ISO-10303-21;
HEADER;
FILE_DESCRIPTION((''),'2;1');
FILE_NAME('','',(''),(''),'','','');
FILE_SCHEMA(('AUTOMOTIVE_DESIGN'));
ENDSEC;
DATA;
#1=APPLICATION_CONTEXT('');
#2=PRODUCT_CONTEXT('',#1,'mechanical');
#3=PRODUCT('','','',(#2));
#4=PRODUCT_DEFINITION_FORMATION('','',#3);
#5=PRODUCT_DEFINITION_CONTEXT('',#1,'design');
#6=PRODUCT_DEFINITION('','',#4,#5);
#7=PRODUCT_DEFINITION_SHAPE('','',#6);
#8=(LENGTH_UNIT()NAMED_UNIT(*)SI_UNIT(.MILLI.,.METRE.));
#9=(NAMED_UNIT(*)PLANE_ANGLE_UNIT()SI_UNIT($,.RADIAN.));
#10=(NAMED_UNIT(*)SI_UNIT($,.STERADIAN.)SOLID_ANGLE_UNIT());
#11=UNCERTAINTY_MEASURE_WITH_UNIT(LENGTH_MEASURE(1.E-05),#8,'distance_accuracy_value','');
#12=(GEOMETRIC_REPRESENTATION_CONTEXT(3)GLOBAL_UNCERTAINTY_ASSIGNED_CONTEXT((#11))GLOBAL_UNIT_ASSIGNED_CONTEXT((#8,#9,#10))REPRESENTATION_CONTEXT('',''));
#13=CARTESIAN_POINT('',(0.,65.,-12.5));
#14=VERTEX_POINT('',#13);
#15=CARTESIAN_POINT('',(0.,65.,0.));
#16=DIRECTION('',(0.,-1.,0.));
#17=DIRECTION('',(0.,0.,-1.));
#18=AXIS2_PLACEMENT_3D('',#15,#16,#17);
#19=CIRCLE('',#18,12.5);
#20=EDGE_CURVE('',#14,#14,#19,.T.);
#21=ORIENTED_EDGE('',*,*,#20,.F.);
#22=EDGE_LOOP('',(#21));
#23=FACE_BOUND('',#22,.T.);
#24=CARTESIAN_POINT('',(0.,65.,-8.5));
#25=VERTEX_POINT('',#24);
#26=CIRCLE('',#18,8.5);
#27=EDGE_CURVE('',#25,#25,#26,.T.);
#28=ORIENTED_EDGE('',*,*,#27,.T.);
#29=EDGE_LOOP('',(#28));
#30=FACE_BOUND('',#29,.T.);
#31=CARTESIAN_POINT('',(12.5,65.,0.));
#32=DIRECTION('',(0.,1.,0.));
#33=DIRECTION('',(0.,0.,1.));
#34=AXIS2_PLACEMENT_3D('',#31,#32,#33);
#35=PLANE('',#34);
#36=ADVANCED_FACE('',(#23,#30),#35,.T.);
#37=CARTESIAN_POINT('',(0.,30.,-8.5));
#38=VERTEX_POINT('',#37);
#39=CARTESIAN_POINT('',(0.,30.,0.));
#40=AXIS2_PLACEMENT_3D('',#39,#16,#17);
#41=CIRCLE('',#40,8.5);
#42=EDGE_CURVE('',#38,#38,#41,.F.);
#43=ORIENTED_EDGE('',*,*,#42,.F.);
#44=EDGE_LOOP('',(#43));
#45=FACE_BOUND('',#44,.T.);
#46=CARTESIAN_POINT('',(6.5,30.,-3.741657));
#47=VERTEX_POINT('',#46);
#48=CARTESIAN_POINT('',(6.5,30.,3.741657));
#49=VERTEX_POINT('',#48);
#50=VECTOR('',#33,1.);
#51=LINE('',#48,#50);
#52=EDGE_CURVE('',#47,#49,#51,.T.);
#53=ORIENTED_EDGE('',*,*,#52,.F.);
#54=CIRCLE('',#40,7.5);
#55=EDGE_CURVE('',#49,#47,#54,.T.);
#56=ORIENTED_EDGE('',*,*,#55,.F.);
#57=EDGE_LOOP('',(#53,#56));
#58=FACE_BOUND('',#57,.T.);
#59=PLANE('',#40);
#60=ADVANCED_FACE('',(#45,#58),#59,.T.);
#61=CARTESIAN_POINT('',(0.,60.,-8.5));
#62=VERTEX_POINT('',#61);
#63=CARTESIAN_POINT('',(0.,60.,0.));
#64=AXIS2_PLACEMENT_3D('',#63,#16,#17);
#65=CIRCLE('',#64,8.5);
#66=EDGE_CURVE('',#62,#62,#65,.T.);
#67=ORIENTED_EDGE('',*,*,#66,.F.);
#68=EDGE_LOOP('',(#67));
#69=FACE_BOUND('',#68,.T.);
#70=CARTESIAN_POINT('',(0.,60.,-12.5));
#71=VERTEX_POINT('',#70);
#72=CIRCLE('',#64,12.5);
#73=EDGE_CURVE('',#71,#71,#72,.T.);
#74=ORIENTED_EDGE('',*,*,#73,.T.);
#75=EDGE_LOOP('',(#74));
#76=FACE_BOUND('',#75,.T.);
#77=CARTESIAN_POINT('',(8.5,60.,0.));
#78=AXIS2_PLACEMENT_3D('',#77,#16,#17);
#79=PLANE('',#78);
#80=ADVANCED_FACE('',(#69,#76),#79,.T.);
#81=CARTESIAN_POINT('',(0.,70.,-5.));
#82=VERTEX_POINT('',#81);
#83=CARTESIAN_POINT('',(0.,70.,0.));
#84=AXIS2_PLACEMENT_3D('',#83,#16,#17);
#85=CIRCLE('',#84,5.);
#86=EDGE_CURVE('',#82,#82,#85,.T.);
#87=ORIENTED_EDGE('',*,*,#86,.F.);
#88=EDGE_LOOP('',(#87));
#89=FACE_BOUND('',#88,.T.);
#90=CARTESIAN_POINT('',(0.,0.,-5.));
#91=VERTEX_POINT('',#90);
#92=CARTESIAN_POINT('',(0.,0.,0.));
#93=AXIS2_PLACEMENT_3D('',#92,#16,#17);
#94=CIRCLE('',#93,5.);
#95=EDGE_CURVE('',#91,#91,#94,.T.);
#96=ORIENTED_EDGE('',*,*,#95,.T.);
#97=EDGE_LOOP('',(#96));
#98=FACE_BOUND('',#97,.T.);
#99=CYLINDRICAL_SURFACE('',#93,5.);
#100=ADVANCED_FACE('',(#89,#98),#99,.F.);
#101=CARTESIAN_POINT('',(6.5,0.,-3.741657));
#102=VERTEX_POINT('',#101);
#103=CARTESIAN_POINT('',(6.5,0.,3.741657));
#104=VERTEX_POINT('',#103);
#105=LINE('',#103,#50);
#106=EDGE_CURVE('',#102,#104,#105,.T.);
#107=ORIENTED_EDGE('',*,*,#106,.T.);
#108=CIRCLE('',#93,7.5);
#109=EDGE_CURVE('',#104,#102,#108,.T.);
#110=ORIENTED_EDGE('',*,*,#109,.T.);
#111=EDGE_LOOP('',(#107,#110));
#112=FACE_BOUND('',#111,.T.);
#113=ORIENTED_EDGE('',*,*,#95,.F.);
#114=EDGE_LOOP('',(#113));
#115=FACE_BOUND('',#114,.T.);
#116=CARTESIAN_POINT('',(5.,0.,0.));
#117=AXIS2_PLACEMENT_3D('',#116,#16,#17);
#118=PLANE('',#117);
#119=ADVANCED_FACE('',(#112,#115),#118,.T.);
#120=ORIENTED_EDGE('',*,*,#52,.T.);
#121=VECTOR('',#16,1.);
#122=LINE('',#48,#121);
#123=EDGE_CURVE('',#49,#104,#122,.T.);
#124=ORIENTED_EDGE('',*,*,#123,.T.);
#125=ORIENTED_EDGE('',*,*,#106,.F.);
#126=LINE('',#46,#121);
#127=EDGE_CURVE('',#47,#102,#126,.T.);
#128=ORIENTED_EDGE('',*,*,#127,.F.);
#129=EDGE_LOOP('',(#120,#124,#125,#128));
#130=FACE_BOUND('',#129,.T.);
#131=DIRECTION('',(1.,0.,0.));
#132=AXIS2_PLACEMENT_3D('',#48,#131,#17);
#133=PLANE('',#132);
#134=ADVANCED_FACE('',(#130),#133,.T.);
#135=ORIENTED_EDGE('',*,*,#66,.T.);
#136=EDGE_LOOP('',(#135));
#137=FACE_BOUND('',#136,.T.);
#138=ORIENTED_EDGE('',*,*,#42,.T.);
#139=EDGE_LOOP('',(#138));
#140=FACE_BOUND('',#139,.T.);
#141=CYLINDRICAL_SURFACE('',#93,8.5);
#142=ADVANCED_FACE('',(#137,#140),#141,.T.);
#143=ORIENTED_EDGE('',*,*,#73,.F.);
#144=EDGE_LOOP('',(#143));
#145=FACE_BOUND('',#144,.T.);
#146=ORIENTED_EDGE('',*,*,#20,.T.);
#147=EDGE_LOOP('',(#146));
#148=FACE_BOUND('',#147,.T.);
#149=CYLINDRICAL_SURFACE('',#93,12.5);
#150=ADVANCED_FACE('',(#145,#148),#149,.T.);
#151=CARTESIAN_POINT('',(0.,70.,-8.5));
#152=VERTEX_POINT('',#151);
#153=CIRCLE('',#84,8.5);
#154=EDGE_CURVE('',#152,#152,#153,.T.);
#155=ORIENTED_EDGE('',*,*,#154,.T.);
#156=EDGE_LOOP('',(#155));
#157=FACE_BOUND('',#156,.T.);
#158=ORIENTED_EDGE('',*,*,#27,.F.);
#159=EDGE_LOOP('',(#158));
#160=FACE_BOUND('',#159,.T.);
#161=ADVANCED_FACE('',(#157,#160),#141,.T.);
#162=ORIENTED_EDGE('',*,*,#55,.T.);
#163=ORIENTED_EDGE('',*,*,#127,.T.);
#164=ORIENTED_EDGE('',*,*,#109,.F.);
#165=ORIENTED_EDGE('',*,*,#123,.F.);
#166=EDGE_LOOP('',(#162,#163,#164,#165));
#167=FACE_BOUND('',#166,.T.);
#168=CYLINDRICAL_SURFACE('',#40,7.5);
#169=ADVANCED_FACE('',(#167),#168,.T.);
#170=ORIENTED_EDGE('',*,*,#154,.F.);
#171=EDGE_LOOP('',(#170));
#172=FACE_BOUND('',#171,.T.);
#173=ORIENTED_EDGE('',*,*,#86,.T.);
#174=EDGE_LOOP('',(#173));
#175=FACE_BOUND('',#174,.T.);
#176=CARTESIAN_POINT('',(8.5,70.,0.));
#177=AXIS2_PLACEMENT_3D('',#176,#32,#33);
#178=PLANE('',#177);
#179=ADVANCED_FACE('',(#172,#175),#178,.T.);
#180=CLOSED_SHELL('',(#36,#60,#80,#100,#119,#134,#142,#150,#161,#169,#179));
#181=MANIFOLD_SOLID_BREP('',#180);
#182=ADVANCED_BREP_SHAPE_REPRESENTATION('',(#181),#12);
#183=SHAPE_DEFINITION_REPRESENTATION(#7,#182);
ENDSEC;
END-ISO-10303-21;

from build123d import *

# Parameters (mm, degrees)
SKETCH_2_OUTSIDE_W  = 42.684
SKETCH_2_OUTSIDE_H  = 42.684
CUT_EXTRUDE_1_DEPTH = 30


with BuildPart() as part:
    # Эскиз1 → Повернуть1 (revolve)
    with BuildSketch(Plane.XY, mode=Mode.PRIVATE) as revolve_1_sk:
        Polygon((5, 70), (5, 0), (8.5, 0), (8.5, 60), (12.5, 60), (12.5, 65), (8.5, 65), (8.5, 70), align=None)
    revolve(revolve_1_sk.sketch.rotate(Axis((0, 0, 0), (0, 1, 0)), 90), axis=Axis((0, 0, 0), (0, 1, 0)))

    # Эскиз2 outside → Вырез-Вытянуть1 (cut)
    with BuildSketch(Plane.XZ):
        Rectangle(SKETCH_2_OUTSIDE_W, SKETCH_2_OUTSIDE_H)
        with BuildLine():
            Line((6.5, 3.741657387), (6.5, -3.741657387))
            ThreePointArc((6.5, -3.741657387), (-7.5, 0), (6.5, 3.741657387))
        make_face(mode=Mode.SUBTRACT)
    extrude(amount=-CUT_EXTRUDE_1_DEPTH, mode=Mode.SUBTRACT)


solid = part.part
